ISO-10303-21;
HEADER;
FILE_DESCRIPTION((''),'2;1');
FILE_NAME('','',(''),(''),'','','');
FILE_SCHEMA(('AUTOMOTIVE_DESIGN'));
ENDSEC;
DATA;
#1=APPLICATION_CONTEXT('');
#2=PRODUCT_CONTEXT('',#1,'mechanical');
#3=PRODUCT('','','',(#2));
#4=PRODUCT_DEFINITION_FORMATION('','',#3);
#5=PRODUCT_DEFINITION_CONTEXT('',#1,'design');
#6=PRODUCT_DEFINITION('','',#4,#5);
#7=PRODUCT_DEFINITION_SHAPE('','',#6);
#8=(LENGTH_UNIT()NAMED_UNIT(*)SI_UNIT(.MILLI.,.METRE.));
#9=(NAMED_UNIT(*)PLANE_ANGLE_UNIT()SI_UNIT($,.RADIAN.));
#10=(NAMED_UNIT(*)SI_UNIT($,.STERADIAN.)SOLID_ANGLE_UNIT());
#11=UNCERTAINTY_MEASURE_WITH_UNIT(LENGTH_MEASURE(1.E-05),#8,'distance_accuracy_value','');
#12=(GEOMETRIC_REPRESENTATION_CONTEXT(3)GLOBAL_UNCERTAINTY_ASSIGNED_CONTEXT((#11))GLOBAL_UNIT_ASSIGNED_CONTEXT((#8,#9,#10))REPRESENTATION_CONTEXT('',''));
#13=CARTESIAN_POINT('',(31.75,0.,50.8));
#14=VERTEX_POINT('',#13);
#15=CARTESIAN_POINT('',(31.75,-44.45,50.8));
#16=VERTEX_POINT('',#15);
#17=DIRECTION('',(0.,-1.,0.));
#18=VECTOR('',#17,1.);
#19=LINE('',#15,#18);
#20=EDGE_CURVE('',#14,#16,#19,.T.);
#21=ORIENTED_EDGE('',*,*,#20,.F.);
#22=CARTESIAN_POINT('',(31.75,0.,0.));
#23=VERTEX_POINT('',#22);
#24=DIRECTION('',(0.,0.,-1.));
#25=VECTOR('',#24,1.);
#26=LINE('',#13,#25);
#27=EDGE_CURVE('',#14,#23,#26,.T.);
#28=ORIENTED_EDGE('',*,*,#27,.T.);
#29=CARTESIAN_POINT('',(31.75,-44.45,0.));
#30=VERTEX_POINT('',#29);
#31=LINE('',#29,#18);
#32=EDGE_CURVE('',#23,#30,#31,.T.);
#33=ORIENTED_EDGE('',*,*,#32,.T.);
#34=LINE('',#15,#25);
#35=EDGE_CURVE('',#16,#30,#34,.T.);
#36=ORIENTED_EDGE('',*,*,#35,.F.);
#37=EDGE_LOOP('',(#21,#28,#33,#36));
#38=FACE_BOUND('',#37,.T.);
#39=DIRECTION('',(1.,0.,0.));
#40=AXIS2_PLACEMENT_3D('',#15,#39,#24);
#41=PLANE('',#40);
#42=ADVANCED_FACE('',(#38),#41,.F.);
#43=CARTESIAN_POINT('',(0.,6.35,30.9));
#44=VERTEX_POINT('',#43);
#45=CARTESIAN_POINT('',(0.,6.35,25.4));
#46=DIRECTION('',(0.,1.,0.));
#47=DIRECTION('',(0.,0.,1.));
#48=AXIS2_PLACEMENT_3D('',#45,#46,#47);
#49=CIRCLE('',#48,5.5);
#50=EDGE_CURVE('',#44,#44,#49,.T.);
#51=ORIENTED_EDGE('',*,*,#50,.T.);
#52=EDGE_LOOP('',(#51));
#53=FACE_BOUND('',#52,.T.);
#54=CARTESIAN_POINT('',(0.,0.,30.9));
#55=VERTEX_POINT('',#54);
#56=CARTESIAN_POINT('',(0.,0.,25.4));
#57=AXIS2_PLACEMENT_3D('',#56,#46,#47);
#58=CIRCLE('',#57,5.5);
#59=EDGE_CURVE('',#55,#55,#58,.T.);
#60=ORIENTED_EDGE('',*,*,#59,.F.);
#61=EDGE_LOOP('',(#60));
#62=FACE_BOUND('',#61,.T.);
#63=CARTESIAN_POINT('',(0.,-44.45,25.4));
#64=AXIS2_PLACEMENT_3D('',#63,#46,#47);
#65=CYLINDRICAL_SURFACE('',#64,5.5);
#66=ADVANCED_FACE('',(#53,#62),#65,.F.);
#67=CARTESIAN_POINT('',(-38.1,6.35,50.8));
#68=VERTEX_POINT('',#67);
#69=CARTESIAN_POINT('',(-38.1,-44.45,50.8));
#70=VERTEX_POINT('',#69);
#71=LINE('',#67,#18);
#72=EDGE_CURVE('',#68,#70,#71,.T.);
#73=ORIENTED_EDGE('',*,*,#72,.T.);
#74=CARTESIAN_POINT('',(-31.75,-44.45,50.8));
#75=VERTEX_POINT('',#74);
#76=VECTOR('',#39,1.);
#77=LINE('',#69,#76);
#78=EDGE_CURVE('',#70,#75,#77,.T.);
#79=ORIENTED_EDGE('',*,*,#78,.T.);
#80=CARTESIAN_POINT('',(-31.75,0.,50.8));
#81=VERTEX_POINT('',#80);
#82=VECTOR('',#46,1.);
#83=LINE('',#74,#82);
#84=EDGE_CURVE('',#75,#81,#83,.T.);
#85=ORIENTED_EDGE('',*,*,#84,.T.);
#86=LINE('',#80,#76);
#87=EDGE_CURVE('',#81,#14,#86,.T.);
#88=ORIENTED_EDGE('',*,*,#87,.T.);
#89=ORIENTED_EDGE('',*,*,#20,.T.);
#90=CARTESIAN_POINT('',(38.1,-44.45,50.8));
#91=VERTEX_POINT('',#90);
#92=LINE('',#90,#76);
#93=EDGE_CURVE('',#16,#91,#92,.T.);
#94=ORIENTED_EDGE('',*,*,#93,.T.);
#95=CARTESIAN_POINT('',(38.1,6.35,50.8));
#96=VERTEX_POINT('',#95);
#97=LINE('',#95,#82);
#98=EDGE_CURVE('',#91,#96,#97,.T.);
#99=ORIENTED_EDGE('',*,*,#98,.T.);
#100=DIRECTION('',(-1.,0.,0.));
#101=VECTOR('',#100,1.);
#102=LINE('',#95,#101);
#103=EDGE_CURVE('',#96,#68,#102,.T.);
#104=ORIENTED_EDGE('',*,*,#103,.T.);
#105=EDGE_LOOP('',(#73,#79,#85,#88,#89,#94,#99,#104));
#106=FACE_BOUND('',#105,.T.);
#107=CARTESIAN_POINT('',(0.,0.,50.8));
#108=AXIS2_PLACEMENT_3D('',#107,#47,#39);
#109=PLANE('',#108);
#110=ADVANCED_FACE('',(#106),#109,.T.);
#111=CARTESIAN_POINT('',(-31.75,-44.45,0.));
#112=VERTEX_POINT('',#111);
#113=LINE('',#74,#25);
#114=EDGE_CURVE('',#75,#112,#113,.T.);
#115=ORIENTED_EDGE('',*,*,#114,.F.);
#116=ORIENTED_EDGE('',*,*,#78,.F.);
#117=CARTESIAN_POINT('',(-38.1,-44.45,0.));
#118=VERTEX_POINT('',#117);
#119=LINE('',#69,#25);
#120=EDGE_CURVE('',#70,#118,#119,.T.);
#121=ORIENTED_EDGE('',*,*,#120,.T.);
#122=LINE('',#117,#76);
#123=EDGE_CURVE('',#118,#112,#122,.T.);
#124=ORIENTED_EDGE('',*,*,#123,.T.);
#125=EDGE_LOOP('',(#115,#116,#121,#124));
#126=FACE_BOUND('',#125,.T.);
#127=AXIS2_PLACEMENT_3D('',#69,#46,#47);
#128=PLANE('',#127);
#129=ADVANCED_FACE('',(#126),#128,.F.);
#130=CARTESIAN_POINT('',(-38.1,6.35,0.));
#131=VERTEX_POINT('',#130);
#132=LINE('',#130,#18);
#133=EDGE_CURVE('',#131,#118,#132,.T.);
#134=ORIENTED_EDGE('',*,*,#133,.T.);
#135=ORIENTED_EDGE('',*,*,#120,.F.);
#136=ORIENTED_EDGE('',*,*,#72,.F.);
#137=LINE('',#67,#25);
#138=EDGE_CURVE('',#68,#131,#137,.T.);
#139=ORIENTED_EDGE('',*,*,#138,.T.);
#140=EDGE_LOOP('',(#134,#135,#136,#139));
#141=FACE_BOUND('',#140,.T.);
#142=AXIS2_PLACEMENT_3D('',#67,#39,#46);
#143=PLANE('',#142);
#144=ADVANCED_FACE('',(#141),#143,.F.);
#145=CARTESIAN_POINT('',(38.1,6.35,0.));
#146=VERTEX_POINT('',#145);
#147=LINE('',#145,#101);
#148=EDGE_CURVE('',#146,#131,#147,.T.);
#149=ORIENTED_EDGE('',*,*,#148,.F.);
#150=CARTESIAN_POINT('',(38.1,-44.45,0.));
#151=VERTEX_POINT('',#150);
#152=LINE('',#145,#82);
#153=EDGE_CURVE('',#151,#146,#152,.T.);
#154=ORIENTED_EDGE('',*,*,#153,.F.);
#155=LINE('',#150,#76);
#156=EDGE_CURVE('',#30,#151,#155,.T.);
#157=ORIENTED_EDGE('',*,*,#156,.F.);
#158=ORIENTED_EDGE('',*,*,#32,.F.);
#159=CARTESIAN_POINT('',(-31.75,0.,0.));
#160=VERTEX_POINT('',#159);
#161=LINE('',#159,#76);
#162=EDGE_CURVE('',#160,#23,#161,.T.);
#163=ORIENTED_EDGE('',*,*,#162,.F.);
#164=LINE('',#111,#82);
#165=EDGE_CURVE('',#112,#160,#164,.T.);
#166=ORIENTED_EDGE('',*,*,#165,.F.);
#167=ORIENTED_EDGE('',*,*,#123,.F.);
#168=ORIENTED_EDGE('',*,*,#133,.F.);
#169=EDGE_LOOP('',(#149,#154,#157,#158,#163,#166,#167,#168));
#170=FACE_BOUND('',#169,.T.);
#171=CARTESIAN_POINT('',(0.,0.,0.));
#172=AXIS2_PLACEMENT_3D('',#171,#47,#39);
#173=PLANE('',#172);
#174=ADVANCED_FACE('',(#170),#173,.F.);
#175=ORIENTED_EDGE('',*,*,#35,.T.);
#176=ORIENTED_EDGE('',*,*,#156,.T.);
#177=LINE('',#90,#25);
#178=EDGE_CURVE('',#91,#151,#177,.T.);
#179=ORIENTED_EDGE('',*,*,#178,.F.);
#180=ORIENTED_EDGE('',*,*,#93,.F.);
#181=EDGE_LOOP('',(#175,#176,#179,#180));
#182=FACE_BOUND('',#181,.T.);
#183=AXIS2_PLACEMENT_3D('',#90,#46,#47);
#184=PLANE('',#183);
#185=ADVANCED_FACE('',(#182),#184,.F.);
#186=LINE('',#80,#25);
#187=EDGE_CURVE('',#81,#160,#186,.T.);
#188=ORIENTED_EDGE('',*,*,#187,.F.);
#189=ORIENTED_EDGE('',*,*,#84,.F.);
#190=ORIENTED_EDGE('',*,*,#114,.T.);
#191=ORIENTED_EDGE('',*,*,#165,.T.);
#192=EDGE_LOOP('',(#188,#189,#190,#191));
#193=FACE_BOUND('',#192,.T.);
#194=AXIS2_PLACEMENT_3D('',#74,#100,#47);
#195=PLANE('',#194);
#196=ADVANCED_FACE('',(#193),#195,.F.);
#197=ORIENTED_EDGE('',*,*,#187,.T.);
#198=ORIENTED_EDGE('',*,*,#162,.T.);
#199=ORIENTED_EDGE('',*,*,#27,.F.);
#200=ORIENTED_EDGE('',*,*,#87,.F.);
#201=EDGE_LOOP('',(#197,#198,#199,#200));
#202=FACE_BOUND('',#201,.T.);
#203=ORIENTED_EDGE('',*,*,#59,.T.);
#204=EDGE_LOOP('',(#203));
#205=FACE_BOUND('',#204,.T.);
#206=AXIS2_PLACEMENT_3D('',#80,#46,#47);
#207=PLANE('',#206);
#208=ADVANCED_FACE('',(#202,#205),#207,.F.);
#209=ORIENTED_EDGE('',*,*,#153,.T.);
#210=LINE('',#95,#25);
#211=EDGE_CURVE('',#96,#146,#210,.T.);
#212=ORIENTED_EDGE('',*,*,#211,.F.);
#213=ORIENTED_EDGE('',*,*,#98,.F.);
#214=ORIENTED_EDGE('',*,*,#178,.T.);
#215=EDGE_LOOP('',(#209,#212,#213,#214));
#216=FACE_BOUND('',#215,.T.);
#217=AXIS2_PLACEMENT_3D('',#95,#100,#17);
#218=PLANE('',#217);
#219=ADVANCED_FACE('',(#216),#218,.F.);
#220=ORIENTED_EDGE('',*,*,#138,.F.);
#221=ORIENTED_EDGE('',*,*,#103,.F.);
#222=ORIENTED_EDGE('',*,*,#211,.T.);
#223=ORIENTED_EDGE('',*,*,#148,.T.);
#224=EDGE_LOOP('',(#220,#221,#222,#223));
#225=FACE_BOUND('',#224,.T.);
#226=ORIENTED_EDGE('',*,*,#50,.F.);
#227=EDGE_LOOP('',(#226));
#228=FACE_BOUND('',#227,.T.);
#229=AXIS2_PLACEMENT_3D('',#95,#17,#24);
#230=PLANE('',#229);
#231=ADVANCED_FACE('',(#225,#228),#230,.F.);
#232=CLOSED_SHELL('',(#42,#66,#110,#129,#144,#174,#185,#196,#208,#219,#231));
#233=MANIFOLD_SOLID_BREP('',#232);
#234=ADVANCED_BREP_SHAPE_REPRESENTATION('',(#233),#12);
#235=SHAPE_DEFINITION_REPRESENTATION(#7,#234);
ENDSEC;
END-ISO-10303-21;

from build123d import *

# Parameters (mm, degrees)
BOSS_EXTRUDE1_DEPTH = 50.8
SKETCH2_R           = 5.5
CUT_EXTRUDE1_DEPTH  = 50.8


with BuildPart() as part:
    # Sketch1 → Boss-Extrude1 (new body)
    with BuildSketch(Plane.XY):
        Polygon((38.1, 6.35), (-38.1, 6.35), (-38.1, -44.45), (-31.75, -44.45), (-31.75, 0), (31.75, 0), (31.75, -44.45), (38.1, -44.45), align=None)
    extrude(amount=BOSS_EXTRUDE1_DEPTH)

    # Sketch2 → Cut-Extrude1 (cut)
    with BuildSketch(Plane(origin=(0, 6.35, 0), x_dir=(1, 0, 0), z_dir=(0, 1, 0))):
        with Locations((0, -25.4)):
            Circle(SKETCH2_R)
    extrude(amount=-CUT_EXTRUDE1_DEPTH, mode=Mode.SUBTRACT)


solid = part.part
